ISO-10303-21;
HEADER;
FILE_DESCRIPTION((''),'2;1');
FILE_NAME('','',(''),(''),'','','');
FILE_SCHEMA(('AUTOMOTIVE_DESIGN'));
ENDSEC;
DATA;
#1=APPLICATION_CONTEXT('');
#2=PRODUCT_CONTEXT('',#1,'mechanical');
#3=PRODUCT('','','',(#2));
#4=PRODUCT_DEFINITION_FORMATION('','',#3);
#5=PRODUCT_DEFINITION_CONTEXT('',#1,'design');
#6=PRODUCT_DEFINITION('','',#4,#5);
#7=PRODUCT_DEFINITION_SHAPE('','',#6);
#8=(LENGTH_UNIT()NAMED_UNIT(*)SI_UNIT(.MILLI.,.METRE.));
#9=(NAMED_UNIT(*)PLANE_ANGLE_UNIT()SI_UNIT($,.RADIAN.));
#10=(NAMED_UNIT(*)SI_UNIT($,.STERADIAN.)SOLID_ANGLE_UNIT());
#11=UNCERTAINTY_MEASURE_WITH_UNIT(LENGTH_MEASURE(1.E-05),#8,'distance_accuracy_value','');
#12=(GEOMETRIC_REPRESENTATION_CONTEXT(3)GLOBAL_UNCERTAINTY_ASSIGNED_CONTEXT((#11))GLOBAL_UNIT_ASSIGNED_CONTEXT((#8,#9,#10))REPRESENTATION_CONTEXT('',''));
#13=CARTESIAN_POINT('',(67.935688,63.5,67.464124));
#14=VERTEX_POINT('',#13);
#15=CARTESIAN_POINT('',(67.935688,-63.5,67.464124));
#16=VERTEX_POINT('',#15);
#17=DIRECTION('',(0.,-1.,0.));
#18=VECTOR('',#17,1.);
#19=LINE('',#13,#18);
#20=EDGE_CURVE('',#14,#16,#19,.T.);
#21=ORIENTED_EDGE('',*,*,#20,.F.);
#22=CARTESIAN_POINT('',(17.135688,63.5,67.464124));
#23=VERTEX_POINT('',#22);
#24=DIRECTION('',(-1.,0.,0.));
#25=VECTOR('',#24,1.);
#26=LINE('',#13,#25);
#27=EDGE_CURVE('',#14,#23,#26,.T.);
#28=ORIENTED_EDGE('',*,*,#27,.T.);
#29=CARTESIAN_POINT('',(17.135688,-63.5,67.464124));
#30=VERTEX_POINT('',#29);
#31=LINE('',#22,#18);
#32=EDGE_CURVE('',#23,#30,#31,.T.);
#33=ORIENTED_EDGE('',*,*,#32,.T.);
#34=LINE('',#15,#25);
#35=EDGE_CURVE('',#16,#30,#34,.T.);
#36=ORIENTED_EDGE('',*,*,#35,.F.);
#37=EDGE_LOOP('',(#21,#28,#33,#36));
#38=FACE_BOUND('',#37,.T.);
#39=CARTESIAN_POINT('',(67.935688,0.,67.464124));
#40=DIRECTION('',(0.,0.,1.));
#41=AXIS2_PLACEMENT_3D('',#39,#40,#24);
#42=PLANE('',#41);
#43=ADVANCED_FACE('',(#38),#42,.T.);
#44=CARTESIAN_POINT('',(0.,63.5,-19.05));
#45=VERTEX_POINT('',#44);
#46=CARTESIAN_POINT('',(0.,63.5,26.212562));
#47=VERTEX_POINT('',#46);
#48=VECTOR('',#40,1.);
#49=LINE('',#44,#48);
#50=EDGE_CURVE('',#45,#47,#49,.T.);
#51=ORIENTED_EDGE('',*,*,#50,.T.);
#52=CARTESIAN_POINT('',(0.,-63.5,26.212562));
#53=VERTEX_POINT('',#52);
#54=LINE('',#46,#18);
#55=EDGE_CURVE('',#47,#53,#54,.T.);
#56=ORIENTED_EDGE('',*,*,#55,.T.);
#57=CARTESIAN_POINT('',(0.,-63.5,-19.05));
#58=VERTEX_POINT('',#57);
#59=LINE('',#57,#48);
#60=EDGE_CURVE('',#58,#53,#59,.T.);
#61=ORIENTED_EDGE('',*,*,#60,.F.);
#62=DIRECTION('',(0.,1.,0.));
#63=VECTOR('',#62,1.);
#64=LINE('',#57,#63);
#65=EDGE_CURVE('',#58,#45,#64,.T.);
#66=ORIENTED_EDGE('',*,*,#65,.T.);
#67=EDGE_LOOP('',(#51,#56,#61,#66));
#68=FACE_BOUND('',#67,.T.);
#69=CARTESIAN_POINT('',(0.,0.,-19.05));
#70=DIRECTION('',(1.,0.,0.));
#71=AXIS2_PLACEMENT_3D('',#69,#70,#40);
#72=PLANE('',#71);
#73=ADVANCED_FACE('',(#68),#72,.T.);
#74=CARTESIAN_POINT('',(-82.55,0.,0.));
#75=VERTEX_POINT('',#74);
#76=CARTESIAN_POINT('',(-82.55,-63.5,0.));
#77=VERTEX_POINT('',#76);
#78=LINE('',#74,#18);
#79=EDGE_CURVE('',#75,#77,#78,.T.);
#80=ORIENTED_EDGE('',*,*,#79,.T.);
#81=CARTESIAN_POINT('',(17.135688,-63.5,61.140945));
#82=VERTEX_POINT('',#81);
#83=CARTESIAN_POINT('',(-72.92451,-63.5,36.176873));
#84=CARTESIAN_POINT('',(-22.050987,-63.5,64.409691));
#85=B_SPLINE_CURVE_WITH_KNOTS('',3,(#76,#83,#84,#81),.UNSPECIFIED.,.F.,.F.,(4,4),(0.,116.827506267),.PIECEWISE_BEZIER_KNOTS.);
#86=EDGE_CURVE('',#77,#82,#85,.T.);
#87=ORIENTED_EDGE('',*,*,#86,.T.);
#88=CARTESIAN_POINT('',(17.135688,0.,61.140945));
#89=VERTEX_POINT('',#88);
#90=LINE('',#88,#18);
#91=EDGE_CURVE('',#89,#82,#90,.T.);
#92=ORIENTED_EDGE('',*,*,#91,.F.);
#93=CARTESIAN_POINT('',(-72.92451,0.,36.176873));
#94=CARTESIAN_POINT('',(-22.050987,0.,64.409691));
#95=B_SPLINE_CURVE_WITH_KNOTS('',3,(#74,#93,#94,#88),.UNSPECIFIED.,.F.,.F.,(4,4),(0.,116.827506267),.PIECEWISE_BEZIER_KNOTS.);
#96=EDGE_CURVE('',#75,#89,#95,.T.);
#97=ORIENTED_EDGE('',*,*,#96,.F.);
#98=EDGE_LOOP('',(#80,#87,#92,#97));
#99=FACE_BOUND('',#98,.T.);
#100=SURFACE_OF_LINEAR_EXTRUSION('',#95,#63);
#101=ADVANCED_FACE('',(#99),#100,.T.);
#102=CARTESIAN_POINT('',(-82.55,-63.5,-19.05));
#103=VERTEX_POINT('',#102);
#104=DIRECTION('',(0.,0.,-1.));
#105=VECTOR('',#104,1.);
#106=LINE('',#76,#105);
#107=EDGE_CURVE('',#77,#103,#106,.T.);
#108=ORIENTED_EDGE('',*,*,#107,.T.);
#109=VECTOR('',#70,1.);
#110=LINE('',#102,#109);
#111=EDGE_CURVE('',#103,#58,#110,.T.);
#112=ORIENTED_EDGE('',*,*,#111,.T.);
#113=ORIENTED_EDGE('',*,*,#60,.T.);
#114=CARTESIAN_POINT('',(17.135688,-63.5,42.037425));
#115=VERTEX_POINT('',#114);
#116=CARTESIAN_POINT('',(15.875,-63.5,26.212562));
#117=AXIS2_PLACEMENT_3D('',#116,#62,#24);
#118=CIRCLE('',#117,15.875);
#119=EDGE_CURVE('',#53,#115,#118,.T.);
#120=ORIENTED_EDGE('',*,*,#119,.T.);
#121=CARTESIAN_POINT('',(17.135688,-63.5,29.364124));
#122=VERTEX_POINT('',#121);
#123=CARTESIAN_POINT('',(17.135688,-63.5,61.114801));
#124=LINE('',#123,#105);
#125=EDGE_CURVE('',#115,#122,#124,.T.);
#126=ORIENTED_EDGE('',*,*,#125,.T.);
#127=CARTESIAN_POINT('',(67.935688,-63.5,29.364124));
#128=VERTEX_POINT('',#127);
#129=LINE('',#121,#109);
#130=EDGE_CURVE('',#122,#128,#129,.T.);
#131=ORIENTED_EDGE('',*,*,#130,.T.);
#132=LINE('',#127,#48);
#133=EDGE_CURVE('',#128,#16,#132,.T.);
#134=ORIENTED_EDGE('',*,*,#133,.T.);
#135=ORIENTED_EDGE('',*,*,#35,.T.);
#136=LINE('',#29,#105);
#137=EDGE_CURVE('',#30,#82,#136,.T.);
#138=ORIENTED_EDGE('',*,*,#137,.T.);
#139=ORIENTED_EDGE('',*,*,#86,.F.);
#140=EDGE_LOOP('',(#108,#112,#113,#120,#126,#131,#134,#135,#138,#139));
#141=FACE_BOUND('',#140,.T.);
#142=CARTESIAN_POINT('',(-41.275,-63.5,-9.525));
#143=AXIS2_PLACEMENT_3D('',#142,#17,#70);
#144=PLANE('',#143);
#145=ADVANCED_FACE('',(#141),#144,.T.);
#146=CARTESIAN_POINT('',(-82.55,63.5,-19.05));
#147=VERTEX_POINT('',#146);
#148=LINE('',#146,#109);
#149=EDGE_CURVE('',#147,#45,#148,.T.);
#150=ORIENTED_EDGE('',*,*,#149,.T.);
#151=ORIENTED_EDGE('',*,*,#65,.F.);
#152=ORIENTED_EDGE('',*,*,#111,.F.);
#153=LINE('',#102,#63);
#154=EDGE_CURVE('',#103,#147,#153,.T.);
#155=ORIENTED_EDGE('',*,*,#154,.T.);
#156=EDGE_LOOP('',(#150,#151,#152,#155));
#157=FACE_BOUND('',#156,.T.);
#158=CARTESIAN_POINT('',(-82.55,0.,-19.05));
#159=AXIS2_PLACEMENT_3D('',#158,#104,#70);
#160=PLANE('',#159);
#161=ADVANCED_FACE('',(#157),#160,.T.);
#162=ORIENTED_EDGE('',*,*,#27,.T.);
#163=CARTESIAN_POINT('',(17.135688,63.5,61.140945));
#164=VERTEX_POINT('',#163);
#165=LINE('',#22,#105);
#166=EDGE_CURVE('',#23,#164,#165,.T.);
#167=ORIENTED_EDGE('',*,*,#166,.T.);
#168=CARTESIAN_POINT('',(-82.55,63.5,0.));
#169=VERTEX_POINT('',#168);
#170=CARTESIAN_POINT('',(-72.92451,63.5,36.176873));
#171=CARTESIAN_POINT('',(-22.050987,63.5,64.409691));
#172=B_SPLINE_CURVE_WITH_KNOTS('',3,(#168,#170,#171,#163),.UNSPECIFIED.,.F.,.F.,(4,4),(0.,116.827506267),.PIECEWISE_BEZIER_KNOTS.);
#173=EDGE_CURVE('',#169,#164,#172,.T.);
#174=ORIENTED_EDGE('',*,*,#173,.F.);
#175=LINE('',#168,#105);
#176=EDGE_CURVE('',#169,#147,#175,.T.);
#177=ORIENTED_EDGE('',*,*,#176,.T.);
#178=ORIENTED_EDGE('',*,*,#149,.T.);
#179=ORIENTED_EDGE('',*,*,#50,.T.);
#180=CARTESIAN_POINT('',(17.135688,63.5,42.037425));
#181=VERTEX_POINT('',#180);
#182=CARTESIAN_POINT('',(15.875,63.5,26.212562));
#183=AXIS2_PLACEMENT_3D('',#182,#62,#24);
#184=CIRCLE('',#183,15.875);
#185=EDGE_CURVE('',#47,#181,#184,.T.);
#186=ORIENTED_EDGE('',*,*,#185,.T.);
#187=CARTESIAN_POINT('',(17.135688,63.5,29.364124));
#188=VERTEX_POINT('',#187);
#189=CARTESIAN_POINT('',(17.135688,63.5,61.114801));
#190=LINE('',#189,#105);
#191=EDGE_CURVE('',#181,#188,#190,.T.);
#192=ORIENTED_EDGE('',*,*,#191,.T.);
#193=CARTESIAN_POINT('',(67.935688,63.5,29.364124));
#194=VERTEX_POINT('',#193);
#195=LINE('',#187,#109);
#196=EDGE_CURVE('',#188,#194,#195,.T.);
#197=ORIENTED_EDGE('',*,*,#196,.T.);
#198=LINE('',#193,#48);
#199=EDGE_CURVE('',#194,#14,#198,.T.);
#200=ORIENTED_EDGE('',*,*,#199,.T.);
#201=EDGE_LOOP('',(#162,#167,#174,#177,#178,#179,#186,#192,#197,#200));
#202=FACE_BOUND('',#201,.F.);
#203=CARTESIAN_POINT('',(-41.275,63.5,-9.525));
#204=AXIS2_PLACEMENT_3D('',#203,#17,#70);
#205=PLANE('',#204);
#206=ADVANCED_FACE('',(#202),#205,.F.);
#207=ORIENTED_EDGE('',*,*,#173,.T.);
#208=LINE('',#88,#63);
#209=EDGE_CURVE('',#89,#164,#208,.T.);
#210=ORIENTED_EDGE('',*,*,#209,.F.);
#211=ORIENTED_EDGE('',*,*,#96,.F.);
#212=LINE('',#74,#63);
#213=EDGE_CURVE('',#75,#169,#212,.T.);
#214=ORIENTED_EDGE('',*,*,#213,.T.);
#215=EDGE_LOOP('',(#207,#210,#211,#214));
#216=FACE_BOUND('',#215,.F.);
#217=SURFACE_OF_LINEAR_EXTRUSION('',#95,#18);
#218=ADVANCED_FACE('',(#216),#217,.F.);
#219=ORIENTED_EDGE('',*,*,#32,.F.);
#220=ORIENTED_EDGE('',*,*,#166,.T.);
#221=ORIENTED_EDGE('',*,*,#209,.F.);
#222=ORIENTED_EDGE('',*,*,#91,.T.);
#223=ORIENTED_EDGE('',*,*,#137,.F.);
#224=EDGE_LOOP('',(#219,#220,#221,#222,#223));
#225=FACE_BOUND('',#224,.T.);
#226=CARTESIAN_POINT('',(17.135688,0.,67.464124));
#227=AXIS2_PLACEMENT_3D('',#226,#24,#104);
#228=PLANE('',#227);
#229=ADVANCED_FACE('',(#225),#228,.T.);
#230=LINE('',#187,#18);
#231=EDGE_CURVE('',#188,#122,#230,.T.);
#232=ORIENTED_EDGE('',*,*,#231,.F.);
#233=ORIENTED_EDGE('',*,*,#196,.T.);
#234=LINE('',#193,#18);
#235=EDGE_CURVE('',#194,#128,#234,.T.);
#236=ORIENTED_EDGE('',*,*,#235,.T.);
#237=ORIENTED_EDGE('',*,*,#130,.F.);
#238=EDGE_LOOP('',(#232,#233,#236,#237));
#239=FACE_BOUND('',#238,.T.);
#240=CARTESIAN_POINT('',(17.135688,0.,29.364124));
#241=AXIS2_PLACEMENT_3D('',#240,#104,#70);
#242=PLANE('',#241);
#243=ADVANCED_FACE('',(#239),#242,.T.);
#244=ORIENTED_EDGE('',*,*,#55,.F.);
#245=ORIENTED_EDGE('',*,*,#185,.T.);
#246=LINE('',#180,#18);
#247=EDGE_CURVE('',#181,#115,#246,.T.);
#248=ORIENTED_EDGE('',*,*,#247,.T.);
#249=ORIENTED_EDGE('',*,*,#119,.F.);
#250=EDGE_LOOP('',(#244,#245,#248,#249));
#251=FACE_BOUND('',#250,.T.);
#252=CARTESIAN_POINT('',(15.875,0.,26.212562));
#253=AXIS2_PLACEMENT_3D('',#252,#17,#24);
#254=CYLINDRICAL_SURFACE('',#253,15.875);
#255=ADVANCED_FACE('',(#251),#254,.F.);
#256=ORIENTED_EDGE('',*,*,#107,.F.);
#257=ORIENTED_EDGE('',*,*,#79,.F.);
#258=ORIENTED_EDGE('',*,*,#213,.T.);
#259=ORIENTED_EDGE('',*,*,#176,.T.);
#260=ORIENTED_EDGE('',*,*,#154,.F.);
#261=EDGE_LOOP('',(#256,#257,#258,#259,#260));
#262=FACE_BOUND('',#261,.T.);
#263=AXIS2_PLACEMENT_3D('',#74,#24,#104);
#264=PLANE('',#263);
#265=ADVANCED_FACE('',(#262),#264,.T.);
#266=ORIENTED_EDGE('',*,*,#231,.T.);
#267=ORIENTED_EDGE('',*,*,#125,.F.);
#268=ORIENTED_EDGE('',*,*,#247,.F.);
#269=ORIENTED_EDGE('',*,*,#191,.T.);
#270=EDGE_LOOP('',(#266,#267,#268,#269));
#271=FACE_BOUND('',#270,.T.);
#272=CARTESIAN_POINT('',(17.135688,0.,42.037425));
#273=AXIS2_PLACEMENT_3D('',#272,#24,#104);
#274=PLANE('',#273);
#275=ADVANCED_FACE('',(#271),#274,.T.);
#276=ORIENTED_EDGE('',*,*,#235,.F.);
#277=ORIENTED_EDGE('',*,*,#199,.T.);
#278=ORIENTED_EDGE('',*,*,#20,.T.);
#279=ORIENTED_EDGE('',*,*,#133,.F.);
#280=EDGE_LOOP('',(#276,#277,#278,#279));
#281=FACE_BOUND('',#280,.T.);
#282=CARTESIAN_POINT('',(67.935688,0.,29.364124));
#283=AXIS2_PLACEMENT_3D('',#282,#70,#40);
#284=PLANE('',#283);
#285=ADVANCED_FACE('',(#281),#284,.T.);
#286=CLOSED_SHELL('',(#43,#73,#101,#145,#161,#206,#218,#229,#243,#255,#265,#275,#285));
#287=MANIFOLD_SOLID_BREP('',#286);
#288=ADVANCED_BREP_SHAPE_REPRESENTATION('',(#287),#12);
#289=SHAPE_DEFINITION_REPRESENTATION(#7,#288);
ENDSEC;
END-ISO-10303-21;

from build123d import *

# Parameters (mm, degrees)
F1_DEPTH = 63.5


with BuildPart() as f1:
    # F0 (on Front) → F1 (new body, symmetric)
    with BuildSketch(Plane.XZ):
        Polygon((0, -19.05), (0, 0), (-19.05, 0), (-82.55, 0), (-82.55, -19.05), align=None)
        with BuildLine():
            Line((-19.05, 0), (0, 0))
            Line((0, 0), (0, 26.2125618818))
            ThreePointArc((0, 26.2125618818), (5.1046194299, 37.875088511), (17.1356884883, 42.0374248997))
            Line((17.1356884883, 42.0374248997), (17.1356884883, 61.1148009151))
            ThreePointArc((17.1356884883, 61.1148009151), (-8.3708870692, 51.3500356059), (-19.05, 26.2125618818))
            Line((-19.05, 26.2125618818), (-19.05, 0))
        make_face()
        with BuildLine():
            Line((-82.55, 0), (-19.05, 0))
            Line((-19.05, 0), (-19.05, 26.2125618818))
            ThreePointArc((-19.05, 26.2125618818), (-8.3708870692, 51.3500356059), (17.1356884883, 61.1148009151))
            Line((17.1356884883, 61.1148009151), (17.1356884883, 61.1409451572))
            add(Edge.make_bspline(
                [(-82.55, 0), (-72.9245103975, 36.1768728134), (-22.0509869973, 64.4096908507), (17.1356884883, 61.1409451572)],
                knots=[0, 0, 0, 0, 116.8275062675, 116.8275062675, 116.8275062675, 116.8275062675], degree=3))
        make_face()
        with BuildLine():
            Line((17.1356884883, 61.1148009151), (17.1356884883, 42.0374248997))
            Line((17.1356884883, 42.0374248997), (17.1356884883, 29.3641235165))
            Line((17.1356884883, 29.3641235165), (43.6262154953, 29.3641235165))
            Line((43.6262154953, 29.3641235165), (43.6262154953, 61.0874248997))
            Line((43.6262154953, 61.0874248997), (17.74570962, 61.0874248997))
            ThreePointArc((17.74570962, 61.0874248997), (17.4407588862, 61.102446148), (17.1356884883, 61.1148009151))
        make_face()
        with BuildLine():
            add(Edge.make_bspline(
                [(17.1356884883, 61.1409451572), (17.3393470069, 61.1239570383), (17.5426898611, 61.1061180547), (17.74570962, 61.0874248997)],
                knots=[116.8275062675, 116.8275062675, 116.8275062675, 116.8275062675, 117.4346748157, 117.4346748157, 117.4346748157, 117.4346748157], degree=3))
            Line((17.1356884883, 61.1409451572), (17.1356884883, 61.1148009151))
            ThreePointArc((17.1356884883, 61.1148009151), (17.4407588862, 61.102446148), (17.74570962, 61.0874248997))
        make_face()
        with BuildLine():
            Line((17.1356884883, 67.4641235165), (17.1356884883, 61.1409451572))
            add(Edge.make_bspline(
                [(17.1356884883, 61.1409451572), (17.3393470069, 61.1239570383), (17.5426898611, 61.1061180547), (17.74570962, 61.0874248997)],
                knots=[116.8275062675, 116.8275062675, 116.8275062675, 116.8275062675, 117.4346748157, 117.4346748157, 117.4346748157, 117.4346748157], degree=3))
            Line((17.74570962, 61.0874248997), (43.6262154953, 61.0874248997))
            Line((43.6262154953, 61.0874248997), (43.6262154953, 29.3641235165))
            Line((43.6262154953, 29.3641235165), (67.9356884883, 29.3641235165))
            Line((67.9356884883, 29.3641235165), (67.9356884883, 67.4641235165))
            Line((67.9356884883, 67.4641235165), (17.1356884883, 67.4641235165))
        make_face()
    extrude(amount=F1_DEPTH, both=True)


solid = f1.part
